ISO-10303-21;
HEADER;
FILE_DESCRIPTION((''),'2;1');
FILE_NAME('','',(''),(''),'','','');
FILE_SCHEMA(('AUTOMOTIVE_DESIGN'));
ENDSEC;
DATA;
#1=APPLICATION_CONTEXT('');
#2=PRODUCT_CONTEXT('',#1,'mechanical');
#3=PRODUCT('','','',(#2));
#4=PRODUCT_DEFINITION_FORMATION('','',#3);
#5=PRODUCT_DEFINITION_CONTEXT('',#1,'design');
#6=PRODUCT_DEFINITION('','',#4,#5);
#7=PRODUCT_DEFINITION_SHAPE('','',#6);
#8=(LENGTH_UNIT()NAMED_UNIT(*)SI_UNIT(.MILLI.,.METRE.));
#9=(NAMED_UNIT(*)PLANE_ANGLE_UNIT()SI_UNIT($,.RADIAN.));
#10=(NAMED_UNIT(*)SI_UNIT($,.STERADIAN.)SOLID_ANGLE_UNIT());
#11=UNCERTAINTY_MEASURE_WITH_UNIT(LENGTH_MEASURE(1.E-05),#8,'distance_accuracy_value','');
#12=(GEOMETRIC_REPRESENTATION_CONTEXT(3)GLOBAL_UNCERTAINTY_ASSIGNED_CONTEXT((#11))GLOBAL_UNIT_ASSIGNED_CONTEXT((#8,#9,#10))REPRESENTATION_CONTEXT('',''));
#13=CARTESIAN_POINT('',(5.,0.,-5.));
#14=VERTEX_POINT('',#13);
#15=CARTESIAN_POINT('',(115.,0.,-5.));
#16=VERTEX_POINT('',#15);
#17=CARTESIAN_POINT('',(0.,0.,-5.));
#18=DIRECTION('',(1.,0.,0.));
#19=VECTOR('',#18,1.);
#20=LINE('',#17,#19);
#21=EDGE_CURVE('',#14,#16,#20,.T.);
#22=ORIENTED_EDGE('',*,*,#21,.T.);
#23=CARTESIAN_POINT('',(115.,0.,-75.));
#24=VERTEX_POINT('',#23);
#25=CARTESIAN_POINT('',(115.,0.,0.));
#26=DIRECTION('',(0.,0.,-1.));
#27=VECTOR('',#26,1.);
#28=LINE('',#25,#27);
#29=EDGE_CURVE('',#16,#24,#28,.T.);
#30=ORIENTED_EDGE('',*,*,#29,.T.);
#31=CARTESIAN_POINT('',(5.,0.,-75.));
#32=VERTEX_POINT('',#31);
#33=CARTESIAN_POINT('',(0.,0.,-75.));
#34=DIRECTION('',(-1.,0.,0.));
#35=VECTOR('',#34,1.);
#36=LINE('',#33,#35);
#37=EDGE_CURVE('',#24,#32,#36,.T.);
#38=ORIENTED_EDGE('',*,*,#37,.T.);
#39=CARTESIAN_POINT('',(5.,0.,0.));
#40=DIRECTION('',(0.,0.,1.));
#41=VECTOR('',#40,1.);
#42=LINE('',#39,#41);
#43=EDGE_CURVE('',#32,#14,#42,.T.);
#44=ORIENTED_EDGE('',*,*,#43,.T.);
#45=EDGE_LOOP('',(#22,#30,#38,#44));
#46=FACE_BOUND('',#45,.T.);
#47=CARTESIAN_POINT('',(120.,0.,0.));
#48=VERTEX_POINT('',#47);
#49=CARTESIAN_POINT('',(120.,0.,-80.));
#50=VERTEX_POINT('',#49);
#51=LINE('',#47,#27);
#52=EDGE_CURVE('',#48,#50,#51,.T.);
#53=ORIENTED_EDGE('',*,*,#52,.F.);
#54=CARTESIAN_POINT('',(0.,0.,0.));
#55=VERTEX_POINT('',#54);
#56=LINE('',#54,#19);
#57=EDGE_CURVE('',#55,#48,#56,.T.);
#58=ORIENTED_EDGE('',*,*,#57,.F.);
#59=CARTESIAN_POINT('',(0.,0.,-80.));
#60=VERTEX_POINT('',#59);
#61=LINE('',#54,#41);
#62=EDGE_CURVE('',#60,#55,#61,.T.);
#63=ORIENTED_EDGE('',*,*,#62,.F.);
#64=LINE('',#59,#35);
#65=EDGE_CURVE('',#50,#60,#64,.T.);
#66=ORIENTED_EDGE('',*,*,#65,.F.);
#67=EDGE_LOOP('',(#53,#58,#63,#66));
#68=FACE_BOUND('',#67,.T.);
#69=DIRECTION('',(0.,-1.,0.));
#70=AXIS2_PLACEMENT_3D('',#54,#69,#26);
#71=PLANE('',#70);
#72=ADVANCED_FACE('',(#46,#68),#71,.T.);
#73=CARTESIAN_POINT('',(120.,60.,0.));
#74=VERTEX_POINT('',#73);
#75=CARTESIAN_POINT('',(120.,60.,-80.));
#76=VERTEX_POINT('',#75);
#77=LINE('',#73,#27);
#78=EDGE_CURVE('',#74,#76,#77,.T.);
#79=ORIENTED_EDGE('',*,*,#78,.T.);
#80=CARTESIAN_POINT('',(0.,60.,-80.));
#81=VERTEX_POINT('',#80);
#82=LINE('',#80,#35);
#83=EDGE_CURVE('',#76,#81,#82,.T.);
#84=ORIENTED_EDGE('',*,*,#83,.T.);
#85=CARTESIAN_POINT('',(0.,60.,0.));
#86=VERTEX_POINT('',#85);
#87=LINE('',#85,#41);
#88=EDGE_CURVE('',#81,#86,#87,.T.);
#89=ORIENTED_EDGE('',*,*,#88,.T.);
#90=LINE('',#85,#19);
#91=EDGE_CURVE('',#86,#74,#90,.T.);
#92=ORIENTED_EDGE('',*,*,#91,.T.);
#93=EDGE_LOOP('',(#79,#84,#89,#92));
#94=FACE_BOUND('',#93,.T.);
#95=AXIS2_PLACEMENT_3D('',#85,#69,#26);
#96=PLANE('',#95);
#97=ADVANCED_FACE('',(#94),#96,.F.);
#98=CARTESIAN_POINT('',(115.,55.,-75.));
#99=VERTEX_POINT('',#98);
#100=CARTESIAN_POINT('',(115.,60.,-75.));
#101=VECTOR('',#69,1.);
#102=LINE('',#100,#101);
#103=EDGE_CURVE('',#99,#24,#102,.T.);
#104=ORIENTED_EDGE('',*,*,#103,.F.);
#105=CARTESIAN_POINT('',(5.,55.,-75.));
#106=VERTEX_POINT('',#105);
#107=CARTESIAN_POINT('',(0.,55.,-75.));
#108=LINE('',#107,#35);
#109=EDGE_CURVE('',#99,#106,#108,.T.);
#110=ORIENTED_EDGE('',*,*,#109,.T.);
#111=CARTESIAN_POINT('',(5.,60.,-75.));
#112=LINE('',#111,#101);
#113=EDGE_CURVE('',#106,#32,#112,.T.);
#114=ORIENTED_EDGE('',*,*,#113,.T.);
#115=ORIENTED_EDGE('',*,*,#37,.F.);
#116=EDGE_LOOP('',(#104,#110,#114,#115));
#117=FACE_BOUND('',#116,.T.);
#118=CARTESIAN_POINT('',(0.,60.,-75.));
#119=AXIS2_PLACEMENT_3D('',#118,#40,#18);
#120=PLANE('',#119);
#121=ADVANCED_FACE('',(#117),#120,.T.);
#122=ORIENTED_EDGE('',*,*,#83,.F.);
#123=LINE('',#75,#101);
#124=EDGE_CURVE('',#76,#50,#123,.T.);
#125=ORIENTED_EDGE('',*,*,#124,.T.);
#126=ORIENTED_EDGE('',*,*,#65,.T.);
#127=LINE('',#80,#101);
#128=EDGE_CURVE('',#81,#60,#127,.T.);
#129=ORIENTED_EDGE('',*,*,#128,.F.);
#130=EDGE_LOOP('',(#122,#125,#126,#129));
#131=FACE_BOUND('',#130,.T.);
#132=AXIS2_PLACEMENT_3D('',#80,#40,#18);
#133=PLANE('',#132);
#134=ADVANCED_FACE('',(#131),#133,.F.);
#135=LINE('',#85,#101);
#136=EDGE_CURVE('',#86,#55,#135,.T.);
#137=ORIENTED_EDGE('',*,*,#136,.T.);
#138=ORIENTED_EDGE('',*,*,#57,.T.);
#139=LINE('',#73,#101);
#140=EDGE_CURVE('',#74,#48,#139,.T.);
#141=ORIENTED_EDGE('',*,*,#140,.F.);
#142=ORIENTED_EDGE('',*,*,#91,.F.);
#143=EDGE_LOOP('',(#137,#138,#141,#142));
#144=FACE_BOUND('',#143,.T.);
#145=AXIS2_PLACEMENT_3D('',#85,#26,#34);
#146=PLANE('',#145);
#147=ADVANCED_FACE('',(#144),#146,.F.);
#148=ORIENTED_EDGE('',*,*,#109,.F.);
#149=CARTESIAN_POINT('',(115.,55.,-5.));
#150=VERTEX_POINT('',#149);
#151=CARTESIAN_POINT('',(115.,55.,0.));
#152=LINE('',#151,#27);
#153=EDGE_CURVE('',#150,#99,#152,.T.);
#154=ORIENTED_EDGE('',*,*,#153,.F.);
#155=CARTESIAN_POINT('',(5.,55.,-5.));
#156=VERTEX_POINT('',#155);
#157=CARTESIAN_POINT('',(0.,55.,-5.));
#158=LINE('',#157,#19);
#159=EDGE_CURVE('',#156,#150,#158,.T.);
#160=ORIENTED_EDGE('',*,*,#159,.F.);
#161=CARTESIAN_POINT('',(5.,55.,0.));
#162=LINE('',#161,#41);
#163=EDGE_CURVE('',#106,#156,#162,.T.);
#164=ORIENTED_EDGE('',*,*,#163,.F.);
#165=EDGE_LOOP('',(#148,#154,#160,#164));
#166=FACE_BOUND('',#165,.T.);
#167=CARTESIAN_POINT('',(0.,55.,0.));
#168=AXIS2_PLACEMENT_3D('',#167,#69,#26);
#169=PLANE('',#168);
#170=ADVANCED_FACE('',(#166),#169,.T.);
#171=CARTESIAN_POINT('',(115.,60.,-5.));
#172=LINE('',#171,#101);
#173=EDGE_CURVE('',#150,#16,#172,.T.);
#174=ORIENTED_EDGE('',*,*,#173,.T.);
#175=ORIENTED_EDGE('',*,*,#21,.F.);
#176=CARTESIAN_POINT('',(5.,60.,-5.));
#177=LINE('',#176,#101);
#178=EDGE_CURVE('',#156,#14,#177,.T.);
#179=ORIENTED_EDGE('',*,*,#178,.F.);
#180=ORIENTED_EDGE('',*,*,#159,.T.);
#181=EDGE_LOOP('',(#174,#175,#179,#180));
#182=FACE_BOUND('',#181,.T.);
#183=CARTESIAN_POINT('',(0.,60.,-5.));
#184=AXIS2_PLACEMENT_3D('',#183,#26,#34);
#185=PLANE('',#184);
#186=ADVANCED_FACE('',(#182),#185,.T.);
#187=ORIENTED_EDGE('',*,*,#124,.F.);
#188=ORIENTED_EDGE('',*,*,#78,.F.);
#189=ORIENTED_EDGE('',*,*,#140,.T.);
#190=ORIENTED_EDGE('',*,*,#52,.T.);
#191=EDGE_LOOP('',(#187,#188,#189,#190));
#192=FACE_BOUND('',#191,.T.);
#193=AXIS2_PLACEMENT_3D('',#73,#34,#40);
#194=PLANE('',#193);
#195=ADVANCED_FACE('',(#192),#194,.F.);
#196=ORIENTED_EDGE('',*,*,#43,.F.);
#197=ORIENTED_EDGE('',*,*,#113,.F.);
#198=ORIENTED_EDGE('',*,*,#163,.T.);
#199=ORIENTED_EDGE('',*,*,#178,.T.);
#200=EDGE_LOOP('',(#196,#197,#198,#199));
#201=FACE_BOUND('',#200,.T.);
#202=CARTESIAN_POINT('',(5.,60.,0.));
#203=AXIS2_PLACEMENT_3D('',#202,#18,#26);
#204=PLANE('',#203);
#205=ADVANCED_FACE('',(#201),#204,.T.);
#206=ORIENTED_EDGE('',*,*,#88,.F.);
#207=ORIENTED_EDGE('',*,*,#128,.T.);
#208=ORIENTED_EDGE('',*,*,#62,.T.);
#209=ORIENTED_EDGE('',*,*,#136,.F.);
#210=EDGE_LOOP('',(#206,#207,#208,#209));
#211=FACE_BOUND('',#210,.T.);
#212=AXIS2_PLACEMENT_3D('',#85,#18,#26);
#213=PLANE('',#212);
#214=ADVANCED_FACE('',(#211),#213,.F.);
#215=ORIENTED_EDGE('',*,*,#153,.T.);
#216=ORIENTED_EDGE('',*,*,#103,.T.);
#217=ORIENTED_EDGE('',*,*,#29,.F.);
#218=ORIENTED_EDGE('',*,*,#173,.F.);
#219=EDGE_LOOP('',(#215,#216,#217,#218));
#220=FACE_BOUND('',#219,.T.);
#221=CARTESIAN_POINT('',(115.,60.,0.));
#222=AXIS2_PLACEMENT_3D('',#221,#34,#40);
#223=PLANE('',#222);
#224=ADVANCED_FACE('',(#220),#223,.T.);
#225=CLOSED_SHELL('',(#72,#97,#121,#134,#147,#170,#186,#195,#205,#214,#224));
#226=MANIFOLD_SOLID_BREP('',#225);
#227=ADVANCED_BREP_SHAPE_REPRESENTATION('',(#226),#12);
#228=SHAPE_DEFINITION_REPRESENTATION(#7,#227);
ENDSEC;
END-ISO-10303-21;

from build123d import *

# Parameters (mm, degrees)
SKETCH_1_W      = 120
SKETCH_1_H      = 80
EXTRUDE_1_DEPTH = 60
SHELL_1_T       = -5


with BuildPart() as part:
    # Эскиз1 → Бобышка-Вытянуть1 (new body)
    with BuildSketch(Plane(origin=(0, 0, 0), x_dir=(1, 0, 0), z_dir=(0, 1, 0))):
        with Locations((60, 40)):
            Rectangle(SKETCH_1_W, SKETCH_1_H)
    extrude(amount=EXTRUDE_1_DEPTH)

    # Оболочка1
    shell_1_openings = [part.faces().sort_by_distance(p)[0] for p in [
        (60, 0, -40),
    ]]
    offset(amount=SHELL_1_T, openings=shell_1_openings, kind=Kind.INTERSECTION)


solid = part.part
